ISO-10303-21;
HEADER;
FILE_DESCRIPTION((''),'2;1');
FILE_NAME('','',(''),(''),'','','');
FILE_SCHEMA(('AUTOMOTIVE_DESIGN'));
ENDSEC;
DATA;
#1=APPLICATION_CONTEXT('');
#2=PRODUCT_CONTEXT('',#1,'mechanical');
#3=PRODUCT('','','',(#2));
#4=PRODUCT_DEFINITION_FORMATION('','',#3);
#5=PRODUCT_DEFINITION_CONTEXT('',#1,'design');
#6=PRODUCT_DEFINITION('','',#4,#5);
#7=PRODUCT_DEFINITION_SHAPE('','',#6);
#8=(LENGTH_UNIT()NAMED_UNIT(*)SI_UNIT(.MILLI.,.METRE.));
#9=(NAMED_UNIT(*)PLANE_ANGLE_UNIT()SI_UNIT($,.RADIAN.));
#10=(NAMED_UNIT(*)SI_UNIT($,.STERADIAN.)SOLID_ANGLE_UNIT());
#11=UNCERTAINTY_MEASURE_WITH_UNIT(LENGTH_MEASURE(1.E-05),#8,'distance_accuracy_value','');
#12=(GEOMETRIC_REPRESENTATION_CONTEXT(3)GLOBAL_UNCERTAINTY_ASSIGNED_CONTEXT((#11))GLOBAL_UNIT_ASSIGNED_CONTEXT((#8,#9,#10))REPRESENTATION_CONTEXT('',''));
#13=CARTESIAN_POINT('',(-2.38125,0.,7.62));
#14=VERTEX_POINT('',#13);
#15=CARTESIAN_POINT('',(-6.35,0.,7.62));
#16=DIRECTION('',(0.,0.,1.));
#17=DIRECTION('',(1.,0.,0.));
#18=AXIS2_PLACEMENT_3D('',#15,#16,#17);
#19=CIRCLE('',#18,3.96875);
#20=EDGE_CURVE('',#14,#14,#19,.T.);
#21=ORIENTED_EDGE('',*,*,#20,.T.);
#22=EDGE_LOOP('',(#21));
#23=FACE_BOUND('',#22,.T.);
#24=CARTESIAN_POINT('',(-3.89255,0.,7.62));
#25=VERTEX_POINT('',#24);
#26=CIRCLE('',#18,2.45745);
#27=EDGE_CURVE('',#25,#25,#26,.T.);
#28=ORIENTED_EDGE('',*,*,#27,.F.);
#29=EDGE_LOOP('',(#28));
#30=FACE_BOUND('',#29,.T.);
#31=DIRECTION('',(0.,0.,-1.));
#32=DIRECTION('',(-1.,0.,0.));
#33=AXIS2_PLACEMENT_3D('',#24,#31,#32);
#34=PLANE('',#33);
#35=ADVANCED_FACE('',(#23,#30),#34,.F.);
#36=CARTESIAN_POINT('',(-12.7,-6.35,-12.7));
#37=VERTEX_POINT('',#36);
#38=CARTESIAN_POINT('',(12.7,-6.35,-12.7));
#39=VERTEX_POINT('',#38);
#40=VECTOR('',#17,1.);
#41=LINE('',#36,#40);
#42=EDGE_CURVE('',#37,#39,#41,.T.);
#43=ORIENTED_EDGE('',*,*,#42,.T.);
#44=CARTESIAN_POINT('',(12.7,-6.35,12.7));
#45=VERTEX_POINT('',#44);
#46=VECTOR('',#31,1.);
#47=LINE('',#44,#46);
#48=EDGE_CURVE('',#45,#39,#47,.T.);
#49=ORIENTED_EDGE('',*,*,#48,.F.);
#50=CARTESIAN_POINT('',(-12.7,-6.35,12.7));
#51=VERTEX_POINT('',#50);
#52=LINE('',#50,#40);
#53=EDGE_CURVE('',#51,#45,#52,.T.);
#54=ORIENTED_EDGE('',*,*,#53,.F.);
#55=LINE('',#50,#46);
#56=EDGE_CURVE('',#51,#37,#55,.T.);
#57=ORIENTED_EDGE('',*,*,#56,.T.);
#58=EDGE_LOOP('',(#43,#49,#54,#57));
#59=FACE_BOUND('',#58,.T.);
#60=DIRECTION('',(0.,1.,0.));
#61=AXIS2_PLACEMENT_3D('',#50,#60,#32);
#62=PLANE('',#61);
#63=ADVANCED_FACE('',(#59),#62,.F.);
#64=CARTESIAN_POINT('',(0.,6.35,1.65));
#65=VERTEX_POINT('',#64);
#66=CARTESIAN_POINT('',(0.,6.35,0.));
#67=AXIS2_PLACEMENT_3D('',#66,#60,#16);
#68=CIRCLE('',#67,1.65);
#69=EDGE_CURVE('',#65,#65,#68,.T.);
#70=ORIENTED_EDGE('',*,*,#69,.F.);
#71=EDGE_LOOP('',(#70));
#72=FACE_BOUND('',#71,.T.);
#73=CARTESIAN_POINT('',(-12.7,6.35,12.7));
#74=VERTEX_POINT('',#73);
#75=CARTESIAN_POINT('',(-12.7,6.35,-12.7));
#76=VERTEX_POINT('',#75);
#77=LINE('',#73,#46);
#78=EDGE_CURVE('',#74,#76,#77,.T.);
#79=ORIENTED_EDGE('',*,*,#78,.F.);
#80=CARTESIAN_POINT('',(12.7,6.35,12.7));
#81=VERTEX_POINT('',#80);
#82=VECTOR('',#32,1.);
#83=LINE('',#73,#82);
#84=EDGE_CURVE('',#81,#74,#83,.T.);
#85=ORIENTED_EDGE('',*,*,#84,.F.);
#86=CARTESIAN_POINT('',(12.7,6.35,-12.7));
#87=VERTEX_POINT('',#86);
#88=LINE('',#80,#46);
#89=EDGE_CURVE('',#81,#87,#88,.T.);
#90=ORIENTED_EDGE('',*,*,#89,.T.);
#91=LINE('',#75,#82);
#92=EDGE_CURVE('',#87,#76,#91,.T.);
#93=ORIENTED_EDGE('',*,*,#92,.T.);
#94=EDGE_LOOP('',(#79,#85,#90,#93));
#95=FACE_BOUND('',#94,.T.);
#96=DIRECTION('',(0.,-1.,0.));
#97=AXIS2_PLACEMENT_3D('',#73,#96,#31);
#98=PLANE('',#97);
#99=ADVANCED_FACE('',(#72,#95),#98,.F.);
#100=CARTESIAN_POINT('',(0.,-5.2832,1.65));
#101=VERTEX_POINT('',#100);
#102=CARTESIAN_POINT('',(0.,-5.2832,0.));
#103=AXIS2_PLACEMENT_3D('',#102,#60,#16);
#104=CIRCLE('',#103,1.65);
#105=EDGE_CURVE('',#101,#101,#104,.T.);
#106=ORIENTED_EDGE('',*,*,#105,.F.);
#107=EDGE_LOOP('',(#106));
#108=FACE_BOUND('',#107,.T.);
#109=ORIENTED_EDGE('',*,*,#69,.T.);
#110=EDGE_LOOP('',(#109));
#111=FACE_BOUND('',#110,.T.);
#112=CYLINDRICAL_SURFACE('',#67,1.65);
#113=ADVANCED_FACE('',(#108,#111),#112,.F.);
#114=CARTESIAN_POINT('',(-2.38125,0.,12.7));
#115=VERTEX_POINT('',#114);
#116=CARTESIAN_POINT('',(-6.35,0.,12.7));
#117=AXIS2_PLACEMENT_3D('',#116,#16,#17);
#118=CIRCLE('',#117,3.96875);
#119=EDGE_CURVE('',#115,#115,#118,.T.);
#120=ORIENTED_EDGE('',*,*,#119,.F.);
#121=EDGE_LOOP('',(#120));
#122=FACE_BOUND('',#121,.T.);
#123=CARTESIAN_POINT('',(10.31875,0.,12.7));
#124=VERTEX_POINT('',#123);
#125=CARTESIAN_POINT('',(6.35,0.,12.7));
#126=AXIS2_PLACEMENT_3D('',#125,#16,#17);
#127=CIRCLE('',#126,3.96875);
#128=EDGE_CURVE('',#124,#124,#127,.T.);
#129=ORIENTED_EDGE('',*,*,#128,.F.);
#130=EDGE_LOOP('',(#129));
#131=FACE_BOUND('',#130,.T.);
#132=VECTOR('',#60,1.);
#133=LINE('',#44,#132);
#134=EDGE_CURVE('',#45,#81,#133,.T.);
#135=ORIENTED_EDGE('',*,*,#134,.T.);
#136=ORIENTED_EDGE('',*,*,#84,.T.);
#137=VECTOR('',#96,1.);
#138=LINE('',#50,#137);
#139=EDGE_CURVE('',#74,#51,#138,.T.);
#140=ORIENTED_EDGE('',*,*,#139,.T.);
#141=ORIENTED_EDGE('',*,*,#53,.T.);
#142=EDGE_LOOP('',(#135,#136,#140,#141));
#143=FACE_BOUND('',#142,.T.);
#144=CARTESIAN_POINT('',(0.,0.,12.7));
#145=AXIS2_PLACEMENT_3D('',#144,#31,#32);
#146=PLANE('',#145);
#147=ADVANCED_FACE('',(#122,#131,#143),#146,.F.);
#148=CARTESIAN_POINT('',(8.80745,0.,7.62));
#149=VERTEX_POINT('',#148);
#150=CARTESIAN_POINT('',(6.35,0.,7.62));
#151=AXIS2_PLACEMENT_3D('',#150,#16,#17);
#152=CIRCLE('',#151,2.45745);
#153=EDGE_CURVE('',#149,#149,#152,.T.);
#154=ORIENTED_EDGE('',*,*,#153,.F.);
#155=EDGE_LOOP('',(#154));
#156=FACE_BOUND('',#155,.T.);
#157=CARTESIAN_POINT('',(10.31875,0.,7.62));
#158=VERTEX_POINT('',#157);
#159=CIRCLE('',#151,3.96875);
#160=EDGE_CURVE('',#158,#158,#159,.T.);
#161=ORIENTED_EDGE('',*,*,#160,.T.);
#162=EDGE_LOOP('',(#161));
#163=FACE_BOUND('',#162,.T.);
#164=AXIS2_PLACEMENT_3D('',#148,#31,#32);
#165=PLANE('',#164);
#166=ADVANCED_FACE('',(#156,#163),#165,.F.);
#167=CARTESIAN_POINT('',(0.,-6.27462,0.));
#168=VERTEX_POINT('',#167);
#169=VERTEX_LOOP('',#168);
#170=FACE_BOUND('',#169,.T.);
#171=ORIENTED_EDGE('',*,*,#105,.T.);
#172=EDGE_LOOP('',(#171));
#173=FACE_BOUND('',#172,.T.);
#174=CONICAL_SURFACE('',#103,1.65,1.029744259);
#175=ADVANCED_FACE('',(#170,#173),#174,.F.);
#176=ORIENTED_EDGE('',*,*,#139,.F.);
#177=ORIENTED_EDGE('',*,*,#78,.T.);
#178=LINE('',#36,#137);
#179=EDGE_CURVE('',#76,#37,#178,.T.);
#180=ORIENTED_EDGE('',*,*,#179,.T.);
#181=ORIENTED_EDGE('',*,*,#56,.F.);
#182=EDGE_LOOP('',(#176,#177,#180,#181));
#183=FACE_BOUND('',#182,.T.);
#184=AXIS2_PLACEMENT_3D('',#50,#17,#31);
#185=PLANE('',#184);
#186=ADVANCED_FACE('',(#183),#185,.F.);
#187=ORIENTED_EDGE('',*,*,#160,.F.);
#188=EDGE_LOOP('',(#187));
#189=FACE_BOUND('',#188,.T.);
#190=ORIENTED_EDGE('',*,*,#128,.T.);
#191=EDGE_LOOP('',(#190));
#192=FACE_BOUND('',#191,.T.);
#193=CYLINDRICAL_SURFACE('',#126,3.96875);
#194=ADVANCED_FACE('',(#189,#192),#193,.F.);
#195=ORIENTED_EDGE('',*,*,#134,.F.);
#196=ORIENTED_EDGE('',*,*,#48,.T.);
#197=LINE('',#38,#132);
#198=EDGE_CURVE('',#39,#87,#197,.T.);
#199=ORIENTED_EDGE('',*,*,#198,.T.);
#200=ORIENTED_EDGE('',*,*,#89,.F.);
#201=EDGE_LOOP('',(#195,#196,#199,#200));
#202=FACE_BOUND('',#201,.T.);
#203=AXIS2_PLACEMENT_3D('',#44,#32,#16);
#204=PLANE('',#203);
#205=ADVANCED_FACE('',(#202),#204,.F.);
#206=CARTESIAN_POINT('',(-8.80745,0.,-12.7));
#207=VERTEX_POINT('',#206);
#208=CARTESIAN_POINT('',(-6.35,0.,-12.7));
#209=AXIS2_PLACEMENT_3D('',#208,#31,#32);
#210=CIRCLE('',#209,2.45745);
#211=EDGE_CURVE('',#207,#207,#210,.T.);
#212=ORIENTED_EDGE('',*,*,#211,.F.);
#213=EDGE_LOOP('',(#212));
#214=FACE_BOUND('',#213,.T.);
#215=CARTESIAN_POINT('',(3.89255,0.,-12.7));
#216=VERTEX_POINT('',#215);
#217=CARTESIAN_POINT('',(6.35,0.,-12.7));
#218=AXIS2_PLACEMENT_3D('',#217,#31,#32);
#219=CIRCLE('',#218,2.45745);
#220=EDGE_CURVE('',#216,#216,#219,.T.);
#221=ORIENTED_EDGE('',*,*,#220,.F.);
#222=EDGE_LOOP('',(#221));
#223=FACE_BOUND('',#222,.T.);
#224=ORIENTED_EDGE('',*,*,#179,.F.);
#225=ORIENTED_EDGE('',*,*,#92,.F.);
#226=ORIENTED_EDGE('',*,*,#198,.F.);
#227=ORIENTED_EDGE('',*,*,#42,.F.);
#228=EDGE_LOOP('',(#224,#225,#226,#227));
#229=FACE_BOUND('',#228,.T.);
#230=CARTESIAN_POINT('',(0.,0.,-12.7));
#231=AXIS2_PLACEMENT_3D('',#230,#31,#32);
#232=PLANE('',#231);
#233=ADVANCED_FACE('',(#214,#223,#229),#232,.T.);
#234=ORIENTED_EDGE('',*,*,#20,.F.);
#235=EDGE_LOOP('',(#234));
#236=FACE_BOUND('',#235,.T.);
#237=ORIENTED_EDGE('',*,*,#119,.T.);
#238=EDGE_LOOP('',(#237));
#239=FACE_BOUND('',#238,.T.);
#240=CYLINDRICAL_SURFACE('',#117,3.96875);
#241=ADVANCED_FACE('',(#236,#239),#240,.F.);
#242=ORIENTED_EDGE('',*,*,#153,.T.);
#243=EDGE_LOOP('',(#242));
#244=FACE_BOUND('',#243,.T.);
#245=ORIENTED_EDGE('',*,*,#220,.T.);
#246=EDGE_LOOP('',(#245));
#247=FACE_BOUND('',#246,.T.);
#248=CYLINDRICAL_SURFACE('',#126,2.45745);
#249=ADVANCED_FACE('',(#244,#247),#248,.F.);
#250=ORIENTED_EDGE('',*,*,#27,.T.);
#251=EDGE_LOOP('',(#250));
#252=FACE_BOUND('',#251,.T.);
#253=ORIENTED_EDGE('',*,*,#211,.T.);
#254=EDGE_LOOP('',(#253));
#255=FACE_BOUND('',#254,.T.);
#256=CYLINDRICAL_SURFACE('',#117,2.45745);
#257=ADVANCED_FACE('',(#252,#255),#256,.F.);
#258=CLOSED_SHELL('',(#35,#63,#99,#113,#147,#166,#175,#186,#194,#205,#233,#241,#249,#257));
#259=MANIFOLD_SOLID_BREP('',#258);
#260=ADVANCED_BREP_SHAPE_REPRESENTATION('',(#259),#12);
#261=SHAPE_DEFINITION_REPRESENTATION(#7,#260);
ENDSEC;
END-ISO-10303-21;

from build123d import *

# Parameters (mm, degrees)
SKETCH1_W                                      = 25.4
SKETCH1_H                                      = 12.7
BOSS_EXTRUDE1_DEPTH                            = 12.7
CBORE_FOR_8_SOCKET_HEAD_CAP_SCREW1_D           = 4.9149
CBORE_FOR_8_SOCKET_HEAD_CAP_SCREW1_CBORE_D     = 7.9375
CBORE_FOR_8_SOCKET_HEAD_CAP_SCREW1_CBORE_DEPTH = 5.08
M4X0_7_TAPPED_HOLE1_D                          = 3.3
M4X0_7_TAPPED_HOLE1_DEPTH                      = 11.6332
M4X0_7_TAPPED_HOLE1_TIP                        = 0.991420021


with BuildPart() as part:
    # Sketch1 → Boss-Extrude1 (new, symmetric)
    with BuildSketch(Plane.XY):
        Rectangle(SKETCH1_W, SKETCH1_H)
    extrude(amount=BOSS_EXTRUDE1_DEPTH, both=True)

    # CBORE for #8 Socket Head Cap Screw1 (through all)
    with Locations(Plane.XY.offset(12.7)):
        with Locations((-6.35, 0), (6.35, 0)):
            CounterBoreHole(CBORE_FOR_8_SOCKET_HEAD_CAP_SCREW1_D / 2, CBORE_FOR_8_SOCKET_HEAD_CAP_SCREW1_CBORE_D / 2, CBORE_FOR_8_SOCKET_HEAD_CAP_SCREW1_CBORE_DEPTH)

    # M4x0.7 Tapped Hole1
    with Locations(Plane(origin=(0, 6.35, 0), x_dir=(1, 0, 0), z_dir=(0, 1, 0))):
        with Locations((0, 0)):
            Hole(M4X0_7_TAPPED_HOLE1_D / 2, depth=M4X0_7_TAPPED_HOLE1_DEPTH)
            with Locations((0, 0, -(M4X0_7_TAPPED_HOLE1_DEPTH + M4X0_7_TAPPED_HOLE1_TIP / 2))):  # 118° drill point
                Cone(0, M4X0_7_TAPPED_HOLE1_D / 2, M4X0_7_TAPPED_HOLE1_TIP, mode=Mode.SUBTRACT)


solid = part.part
